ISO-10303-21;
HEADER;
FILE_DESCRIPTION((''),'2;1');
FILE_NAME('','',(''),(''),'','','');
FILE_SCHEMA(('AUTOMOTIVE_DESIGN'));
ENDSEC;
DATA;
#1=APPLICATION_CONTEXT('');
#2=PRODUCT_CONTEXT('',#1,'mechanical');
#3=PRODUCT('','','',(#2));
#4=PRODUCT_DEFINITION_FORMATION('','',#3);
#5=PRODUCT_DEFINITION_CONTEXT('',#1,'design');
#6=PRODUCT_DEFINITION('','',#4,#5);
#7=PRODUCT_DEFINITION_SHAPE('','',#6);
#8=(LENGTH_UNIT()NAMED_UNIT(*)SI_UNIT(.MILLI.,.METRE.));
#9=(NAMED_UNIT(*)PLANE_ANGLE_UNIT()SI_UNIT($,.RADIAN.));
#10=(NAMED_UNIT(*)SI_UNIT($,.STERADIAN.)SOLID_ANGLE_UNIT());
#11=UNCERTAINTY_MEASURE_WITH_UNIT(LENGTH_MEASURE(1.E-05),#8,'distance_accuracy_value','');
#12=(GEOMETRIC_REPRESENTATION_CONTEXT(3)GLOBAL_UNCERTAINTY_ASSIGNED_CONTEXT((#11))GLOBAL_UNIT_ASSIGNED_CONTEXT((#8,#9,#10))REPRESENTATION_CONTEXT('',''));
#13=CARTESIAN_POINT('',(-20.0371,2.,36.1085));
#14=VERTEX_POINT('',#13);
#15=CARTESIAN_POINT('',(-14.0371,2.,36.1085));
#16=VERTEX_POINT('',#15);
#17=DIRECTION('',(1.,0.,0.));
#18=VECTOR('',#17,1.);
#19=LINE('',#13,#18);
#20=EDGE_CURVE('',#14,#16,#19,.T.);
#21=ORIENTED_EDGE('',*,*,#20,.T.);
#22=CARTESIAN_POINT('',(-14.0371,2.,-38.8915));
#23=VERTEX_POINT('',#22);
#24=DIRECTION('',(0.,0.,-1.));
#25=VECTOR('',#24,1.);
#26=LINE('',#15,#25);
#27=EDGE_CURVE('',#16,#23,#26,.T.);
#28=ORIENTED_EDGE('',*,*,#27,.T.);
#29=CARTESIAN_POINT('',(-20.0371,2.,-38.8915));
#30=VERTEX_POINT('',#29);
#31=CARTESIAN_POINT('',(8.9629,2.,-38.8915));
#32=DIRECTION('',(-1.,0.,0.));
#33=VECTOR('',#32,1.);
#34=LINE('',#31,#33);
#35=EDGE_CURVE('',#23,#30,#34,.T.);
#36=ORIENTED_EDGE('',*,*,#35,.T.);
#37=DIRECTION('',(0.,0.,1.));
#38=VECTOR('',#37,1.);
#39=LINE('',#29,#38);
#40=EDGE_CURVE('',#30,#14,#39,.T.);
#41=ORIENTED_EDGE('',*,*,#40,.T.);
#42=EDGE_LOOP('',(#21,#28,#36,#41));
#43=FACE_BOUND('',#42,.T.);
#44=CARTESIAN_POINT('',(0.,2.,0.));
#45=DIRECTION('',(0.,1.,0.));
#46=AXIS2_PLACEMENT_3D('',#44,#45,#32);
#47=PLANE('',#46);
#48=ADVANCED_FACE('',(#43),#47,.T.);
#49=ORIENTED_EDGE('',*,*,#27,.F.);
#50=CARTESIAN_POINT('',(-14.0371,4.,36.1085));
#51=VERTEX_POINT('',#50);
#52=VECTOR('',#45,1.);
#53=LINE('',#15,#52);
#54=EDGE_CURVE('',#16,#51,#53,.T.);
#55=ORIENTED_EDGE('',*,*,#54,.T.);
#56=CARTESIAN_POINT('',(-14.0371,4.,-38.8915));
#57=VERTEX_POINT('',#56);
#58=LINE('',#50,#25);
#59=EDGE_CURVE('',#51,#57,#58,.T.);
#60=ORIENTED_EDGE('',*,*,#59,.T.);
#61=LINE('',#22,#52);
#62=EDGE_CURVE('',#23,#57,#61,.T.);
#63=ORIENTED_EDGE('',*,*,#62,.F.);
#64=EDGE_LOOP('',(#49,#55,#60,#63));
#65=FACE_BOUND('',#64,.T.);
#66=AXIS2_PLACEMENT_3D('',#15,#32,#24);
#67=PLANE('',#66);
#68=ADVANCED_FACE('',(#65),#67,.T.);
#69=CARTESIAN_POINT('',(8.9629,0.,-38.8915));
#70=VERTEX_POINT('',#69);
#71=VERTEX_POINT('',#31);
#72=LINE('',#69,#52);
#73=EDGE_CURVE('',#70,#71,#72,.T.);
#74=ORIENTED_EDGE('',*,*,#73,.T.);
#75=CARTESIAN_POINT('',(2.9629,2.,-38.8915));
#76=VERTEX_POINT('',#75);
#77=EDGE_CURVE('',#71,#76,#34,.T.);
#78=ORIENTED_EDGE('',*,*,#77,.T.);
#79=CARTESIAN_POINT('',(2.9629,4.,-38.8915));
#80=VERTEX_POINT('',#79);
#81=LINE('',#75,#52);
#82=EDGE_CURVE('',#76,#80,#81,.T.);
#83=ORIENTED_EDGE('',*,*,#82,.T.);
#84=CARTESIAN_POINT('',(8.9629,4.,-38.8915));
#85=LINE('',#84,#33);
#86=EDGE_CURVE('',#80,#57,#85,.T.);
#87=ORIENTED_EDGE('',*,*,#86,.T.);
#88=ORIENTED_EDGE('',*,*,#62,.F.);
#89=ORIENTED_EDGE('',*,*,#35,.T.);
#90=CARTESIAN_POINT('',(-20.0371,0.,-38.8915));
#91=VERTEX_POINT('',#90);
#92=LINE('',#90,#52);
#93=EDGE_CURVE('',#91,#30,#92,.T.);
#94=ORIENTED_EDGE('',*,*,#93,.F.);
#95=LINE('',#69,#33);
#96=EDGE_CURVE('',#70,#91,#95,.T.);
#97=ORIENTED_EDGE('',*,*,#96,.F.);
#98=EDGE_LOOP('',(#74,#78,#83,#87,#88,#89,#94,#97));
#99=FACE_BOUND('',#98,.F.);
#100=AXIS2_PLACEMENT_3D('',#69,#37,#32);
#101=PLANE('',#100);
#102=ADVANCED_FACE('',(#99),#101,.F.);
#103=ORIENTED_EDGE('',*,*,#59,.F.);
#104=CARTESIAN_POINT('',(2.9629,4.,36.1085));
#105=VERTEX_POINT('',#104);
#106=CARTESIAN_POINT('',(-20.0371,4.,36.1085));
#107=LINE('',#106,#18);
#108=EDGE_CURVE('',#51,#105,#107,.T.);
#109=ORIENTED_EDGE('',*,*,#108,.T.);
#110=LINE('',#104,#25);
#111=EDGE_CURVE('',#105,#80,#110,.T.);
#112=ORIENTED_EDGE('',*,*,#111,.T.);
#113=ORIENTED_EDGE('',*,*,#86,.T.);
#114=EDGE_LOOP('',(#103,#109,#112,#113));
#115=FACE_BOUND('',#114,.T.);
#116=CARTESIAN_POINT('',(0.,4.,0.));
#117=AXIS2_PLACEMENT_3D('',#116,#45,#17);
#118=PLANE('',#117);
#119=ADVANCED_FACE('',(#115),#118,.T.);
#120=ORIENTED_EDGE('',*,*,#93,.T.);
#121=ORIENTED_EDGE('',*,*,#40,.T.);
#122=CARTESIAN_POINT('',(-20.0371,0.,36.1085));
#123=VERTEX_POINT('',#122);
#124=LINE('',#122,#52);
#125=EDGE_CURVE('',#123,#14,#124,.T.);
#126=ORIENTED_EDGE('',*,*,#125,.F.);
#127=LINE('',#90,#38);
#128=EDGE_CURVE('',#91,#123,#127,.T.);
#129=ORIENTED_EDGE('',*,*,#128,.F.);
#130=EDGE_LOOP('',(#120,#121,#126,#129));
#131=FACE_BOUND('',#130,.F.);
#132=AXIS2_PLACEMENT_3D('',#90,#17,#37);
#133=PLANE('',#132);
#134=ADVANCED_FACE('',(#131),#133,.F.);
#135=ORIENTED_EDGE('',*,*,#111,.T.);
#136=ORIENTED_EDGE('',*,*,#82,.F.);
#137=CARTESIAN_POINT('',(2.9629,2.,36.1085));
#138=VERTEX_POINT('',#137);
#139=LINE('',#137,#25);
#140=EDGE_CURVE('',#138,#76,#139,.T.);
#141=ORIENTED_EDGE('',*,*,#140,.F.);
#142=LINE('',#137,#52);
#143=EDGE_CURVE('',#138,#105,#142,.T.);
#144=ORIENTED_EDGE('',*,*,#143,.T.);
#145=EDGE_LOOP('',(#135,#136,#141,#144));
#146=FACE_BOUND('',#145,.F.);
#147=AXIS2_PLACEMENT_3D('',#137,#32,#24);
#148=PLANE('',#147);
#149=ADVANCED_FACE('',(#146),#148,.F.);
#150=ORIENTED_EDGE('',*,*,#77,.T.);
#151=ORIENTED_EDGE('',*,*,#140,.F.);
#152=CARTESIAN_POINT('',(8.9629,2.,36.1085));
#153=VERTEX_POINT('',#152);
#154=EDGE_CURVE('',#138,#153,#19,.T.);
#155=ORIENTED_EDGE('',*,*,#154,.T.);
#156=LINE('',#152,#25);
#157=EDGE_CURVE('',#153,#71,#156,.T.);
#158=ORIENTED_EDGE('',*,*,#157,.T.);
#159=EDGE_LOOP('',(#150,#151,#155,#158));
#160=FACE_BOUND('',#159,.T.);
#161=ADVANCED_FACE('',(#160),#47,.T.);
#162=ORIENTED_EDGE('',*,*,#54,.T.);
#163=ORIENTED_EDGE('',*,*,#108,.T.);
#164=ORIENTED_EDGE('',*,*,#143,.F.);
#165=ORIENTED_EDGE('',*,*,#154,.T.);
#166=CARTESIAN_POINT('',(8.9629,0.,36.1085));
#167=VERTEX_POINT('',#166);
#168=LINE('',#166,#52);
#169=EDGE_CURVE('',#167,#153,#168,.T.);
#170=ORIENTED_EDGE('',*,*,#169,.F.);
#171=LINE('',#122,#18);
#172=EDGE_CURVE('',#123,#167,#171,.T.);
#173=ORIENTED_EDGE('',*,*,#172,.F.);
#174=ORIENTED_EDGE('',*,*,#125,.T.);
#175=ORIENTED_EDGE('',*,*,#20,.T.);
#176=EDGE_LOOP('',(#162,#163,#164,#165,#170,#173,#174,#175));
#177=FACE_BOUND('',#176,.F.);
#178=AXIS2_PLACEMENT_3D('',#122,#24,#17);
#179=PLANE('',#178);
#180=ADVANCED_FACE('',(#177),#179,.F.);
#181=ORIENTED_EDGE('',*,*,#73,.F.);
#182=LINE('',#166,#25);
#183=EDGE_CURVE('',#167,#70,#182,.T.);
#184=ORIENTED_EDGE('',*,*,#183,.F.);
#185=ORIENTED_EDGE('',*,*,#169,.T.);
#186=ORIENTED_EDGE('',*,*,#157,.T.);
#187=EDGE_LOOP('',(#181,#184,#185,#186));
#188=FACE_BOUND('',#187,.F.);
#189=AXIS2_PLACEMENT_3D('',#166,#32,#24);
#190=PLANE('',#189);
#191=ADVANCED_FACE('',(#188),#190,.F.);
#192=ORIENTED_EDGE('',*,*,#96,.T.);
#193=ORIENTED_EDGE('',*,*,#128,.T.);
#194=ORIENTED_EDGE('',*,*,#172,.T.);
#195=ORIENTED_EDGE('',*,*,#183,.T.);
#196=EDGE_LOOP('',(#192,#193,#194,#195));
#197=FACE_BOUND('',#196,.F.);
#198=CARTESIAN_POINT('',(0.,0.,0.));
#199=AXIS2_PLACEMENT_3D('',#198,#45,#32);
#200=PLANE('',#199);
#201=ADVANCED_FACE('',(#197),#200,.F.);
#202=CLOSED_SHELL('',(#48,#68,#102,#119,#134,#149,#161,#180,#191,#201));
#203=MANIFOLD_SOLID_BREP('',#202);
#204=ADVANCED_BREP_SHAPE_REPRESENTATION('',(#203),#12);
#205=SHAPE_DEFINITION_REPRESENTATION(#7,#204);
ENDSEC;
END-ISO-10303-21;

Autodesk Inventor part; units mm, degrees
ref_plane "YZ Plane" through (0, 0, 0) normal (1, 0, 0) x (0, 1, 0)
ref_plane "XZ Plane" through (0, 0, 0) normal (0, 1, 0) x (-1, 0, 0)
ref_plane "XY Plane" through (0, 0, 0) normal (0, 0, 1) x (1, 0, 0)
sketch "Sketch1" plane through (0, 0, 0) normal (0, 1, 0) x (-1, 0, 0)
  line L0 (20.0371, 36.1085) -> (-8.9629, 36.1085)
  line L1 (-8.9629, 36.1085) -> (-8.9629, -38.8915)
  line L2 (-8.9629, -38.8915) -> (20.0371, -38.8915)
  line L3 (20.0371, -38.8915) -> (20.0371, 36.1085)
  point P0 (0, 0)
  dimension "d0" = 75
  dimension "d1" = 29
extrude "Extrusion1" add sketch "Sketch1" along normal blind 2
sketch "Sketch2" plane through (0, 2, 0) normal (0, 1, 0) x (1, 0, 0)
  line L0 (-20.0371, -36.1085) -> (8.9629, -36.1085) projected
  line L1 (2.9629, -36.1085) -> (2.9629, 38.8915)
  line L2 (8.9629, 38.8915) -> (-20.0371, 38.8915) projected
  line L3 (-14.0371, -36.1085) -> (-14.0371, 38.8915)
  point P0 (0, 0)
  dimension "d4" = 6
  dimension "d5" = 6
extrude "Extrusion2" add sketch "Sketch2" along normal blind 2
